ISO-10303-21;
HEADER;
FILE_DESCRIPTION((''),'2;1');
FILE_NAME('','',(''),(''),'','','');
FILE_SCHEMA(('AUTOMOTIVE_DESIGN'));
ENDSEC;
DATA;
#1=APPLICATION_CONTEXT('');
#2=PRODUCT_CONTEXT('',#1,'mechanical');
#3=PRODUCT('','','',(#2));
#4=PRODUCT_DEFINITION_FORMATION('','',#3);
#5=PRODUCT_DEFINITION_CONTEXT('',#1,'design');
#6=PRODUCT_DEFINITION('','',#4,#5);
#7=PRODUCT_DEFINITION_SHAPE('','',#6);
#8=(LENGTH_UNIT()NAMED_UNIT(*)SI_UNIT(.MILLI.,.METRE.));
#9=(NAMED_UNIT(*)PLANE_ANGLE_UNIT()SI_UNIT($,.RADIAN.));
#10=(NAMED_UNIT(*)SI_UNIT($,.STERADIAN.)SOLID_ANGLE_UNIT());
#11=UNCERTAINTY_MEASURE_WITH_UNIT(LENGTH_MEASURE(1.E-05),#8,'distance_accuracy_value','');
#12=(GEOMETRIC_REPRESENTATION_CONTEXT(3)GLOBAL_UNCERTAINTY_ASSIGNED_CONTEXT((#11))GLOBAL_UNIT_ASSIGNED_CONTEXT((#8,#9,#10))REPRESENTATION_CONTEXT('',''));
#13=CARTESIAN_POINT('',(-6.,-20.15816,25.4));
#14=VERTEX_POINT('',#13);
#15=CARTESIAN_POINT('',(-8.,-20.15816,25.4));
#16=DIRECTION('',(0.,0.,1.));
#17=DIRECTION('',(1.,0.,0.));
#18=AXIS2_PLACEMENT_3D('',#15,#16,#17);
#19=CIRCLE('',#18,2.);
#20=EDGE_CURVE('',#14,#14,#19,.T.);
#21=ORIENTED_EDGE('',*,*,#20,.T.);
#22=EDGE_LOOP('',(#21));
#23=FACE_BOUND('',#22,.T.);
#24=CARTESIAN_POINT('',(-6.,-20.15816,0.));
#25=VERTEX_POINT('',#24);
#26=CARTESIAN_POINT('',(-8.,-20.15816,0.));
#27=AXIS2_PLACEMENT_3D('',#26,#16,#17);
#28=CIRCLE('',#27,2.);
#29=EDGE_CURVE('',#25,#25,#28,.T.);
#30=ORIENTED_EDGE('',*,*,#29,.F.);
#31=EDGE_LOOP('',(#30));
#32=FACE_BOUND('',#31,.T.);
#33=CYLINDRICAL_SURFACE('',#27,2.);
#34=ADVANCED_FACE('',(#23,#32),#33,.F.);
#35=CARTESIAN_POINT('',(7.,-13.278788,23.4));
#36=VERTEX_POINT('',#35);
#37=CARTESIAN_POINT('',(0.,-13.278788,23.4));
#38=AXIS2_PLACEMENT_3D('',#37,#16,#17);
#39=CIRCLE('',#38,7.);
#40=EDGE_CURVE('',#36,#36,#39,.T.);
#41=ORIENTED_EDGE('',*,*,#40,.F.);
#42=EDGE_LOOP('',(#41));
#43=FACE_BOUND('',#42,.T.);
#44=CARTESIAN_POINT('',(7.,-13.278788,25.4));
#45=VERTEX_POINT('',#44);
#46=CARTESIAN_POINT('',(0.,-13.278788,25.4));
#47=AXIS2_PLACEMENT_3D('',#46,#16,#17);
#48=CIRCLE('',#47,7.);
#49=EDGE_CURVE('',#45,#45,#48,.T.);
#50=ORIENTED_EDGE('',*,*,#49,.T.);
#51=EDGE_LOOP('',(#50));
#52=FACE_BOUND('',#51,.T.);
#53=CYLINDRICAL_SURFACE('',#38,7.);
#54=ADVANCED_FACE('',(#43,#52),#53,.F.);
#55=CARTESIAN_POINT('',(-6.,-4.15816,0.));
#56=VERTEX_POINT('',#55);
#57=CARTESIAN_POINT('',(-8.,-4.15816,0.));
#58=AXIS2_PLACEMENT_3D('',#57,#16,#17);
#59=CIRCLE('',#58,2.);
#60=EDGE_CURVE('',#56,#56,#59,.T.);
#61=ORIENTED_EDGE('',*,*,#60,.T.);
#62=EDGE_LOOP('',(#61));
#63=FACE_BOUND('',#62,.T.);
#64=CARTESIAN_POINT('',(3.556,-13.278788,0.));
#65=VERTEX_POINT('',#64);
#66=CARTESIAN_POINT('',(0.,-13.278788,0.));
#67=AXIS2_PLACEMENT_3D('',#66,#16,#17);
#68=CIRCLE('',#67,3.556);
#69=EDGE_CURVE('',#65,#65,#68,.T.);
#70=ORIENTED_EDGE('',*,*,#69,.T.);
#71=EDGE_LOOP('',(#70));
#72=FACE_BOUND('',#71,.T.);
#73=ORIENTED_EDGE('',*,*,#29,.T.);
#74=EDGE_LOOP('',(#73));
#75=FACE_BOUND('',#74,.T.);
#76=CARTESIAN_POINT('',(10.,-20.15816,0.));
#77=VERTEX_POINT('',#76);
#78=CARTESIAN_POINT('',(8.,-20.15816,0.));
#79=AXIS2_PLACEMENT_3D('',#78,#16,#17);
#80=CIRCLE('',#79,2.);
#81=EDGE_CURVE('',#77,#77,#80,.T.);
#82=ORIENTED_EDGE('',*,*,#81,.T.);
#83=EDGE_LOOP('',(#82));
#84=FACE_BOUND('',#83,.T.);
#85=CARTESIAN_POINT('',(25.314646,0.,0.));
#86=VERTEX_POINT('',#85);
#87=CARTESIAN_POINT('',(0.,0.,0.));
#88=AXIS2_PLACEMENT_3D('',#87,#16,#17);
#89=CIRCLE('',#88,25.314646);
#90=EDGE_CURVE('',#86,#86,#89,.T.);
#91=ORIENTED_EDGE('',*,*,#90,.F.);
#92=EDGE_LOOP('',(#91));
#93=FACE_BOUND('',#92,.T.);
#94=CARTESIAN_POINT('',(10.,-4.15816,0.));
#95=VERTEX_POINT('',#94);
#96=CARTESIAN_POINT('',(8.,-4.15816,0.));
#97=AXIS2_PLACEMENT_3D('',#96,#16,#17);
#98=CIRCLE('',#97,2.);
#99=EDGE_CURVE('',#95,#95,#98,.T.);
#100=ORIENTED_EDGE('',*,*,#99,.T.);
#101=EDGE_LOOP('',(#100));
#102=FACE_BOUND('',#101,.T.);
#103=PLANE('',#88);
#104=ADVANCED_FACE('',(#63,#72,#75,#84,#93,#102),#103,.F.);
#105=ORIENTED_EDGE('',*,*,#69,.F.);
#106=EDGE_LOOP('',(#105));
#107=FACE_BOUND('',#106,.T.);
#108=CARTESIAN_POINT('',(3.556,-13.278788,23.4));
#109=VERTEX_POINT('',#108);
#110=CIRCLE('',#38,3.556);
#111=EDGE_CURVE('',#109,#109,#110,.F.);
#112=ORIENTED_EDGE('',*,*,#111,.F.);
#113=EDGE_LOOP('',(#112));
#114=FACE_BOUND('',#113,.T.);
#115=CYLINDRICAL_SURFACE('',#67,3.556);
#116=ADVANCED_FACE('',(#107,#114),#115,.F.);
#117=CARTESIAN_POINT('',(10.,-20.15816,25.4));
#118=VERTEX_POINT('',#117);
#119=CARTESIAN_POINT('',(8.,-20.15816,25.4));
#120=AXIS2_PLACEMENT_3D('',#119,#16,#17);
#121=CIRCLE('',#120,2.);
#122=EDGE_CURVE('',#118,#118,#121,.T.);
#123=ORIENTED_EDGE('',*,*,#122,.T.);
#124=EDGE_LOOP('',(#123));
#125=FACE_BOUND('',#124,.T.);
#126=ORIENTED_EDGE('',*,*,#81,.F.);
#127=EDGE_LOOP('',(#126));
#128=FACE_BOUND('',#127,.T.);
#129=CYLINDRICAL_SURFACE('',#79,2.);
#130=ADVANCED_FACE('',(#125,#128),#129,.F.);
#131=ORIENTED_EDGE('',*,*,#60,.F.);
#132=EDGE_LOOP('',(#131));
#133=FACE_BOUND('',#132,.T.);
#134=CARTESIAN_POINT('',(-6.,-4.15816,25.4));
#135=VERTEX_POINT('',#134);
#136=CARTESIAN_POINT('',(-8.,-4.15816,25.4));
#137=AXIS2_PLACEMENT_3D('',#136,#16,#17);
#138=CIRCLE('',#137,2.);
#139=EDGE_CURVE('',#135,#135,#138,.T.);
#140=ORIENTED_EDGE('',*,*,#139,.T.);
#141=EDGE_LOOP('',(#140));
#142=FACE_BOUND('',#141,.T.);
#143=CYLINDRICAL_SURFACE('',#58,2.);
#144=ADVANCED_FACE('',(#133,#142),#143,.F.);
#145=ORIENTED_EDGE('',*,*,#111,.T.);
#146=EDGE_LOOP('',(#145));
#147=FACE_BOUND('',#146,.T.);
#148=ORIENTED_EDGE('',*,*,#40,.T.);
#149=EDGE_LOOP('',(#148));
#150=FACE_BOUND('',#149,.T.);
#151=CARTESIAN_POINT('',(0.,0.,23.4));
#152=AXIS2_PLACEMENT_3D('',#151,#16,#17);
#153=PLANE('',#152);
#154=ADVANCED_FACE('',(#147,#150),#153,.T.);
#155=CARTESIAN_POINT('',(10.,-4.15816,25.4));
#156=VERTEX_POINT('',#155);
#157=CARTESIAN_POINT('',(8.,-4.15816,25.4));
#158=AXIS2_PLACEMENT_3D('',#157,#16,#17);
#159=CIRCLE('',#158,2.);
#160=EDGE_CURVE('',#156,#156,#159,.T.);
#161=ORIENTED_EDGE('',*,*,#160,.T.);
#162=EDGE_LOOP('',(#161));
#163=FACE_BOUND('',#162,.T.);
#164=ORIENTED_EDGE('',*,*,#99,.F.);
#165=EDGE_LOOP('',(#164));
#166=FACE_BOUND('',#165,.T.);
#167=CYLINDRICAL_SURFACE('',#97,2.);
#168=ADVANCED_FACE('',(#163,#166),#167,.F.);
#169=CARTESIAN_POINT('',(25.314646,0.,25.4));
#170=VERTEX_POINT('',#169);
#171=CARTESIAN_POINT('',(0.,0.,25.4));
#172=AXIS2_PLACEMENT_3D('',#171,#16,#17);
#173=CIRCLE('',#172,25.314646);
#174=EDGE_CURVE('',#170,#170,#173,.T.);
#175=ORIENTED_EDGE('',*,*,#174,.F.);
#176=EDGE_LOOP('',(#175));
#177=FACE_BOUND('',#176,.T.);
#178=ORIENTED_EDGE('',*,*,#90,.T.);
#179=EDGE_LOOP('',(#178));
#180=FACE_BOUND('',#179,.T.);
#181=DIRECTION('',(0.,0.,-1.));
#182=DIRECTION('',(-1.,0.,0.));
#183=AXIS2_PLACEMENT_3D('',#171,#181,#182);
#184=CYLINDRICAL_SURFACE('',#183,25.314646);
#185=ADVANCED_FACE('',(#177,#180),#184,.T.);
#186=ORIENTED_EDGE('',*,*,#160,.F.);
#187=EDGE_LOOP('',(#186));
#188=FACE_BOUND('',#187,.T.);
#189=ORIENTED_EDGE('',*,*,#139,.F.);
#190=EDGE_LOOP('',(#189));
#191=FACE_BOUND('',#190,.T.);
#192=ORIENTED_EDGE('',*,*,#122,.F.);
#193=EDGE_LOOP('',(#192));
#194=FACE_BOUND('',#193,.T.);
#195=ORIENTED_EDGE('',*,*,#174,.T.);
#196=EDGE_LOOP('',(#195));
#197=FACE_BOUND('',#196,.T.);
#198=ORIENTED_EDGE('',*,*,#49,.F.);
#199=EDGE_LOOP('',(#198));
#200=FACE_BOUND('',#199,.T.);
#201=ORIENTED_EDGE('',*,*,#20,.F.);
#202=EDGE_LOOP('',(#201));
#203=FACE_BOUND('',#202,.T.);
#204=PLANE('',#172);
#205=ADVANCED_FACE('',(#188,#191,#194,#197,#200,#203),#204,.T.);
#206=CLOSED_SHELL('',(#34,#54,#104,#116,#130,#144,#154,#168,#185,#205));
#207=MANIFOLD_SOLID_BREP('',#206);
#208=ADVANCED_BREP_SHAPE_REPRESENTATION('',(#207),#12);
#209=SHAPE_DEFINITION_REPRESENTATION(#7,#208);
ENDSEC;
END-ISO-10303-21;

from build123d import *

# Parameters (mm, degrees)
SKETCH1_R           = 25.314646171
BOSS_EXTRUDE1_DEPTH = 25.4
SKETCH2_R           = 3.556
CUT_EXTRUDE1_DEPTH  = 25.4
SKETCH3_R           = 7
SKETCH3_R_2         = 3.556
CUT_EXTRUDE2_DEPTH  = 2
SKETCH4_R           = 2
CUT_EXTRUDE3_DEPTH  = 26.4


with BuildPart() as part:
    # Sketch1 → Boss-Extrude1 (new body)
    with BuildSketch(Plane.XY):
        Circle(SKETCH1_R)
    extrude(amount=BOSS_EXTRUDE1_DEPTH)

    # Sketch2 → Cut-Extrude1 (cut)
    with BuildSketch(Plane.XY.offset(25.4)):
        with Locations((0, -13.278788033)):
            Circle(SKETCH2_R)
    extrude(amount=-CUT_EXTRUDE1_DEPTH, mode=Mode.SUBTRACT)

    # Sketch3 → Cut-Extrude2 (cut)
    with BuildSketch(Plane.XY.offset(25.4)):
        with Locations((0, -13.278788033)):
            Circle(SKETCH3_R)
        with Locations((0, -13.278788033)):
            Circle(SKETCH3_R_2, mode=Mode.SUBTRACT)
    extrude(amount=-CUT_EXTRUDE2_DEPTH, mode=Mode.SUBTRACT)

    # Sketch4 → Cut-Extrude3 (cut, through all)
    with BuildSketch(Plane.XY.offset(25.4)):
        with Locations((-8, -4.158160147)):
            Circle(SKETCH4_R)
        with Locations((8, -4.158160147)):
            Circle(SKETCH4_R)
        with Locations((8, -20.158160147)):
            Circle(SKETCH4_R)
        with Locations((-8, -20.158160147)):
            Circle(SKETCH4_R)
    extrude(amount=-CUT_EXTRUDE3_DEPTH, mode=Mode.SUBTRACT)


solid = part.part
